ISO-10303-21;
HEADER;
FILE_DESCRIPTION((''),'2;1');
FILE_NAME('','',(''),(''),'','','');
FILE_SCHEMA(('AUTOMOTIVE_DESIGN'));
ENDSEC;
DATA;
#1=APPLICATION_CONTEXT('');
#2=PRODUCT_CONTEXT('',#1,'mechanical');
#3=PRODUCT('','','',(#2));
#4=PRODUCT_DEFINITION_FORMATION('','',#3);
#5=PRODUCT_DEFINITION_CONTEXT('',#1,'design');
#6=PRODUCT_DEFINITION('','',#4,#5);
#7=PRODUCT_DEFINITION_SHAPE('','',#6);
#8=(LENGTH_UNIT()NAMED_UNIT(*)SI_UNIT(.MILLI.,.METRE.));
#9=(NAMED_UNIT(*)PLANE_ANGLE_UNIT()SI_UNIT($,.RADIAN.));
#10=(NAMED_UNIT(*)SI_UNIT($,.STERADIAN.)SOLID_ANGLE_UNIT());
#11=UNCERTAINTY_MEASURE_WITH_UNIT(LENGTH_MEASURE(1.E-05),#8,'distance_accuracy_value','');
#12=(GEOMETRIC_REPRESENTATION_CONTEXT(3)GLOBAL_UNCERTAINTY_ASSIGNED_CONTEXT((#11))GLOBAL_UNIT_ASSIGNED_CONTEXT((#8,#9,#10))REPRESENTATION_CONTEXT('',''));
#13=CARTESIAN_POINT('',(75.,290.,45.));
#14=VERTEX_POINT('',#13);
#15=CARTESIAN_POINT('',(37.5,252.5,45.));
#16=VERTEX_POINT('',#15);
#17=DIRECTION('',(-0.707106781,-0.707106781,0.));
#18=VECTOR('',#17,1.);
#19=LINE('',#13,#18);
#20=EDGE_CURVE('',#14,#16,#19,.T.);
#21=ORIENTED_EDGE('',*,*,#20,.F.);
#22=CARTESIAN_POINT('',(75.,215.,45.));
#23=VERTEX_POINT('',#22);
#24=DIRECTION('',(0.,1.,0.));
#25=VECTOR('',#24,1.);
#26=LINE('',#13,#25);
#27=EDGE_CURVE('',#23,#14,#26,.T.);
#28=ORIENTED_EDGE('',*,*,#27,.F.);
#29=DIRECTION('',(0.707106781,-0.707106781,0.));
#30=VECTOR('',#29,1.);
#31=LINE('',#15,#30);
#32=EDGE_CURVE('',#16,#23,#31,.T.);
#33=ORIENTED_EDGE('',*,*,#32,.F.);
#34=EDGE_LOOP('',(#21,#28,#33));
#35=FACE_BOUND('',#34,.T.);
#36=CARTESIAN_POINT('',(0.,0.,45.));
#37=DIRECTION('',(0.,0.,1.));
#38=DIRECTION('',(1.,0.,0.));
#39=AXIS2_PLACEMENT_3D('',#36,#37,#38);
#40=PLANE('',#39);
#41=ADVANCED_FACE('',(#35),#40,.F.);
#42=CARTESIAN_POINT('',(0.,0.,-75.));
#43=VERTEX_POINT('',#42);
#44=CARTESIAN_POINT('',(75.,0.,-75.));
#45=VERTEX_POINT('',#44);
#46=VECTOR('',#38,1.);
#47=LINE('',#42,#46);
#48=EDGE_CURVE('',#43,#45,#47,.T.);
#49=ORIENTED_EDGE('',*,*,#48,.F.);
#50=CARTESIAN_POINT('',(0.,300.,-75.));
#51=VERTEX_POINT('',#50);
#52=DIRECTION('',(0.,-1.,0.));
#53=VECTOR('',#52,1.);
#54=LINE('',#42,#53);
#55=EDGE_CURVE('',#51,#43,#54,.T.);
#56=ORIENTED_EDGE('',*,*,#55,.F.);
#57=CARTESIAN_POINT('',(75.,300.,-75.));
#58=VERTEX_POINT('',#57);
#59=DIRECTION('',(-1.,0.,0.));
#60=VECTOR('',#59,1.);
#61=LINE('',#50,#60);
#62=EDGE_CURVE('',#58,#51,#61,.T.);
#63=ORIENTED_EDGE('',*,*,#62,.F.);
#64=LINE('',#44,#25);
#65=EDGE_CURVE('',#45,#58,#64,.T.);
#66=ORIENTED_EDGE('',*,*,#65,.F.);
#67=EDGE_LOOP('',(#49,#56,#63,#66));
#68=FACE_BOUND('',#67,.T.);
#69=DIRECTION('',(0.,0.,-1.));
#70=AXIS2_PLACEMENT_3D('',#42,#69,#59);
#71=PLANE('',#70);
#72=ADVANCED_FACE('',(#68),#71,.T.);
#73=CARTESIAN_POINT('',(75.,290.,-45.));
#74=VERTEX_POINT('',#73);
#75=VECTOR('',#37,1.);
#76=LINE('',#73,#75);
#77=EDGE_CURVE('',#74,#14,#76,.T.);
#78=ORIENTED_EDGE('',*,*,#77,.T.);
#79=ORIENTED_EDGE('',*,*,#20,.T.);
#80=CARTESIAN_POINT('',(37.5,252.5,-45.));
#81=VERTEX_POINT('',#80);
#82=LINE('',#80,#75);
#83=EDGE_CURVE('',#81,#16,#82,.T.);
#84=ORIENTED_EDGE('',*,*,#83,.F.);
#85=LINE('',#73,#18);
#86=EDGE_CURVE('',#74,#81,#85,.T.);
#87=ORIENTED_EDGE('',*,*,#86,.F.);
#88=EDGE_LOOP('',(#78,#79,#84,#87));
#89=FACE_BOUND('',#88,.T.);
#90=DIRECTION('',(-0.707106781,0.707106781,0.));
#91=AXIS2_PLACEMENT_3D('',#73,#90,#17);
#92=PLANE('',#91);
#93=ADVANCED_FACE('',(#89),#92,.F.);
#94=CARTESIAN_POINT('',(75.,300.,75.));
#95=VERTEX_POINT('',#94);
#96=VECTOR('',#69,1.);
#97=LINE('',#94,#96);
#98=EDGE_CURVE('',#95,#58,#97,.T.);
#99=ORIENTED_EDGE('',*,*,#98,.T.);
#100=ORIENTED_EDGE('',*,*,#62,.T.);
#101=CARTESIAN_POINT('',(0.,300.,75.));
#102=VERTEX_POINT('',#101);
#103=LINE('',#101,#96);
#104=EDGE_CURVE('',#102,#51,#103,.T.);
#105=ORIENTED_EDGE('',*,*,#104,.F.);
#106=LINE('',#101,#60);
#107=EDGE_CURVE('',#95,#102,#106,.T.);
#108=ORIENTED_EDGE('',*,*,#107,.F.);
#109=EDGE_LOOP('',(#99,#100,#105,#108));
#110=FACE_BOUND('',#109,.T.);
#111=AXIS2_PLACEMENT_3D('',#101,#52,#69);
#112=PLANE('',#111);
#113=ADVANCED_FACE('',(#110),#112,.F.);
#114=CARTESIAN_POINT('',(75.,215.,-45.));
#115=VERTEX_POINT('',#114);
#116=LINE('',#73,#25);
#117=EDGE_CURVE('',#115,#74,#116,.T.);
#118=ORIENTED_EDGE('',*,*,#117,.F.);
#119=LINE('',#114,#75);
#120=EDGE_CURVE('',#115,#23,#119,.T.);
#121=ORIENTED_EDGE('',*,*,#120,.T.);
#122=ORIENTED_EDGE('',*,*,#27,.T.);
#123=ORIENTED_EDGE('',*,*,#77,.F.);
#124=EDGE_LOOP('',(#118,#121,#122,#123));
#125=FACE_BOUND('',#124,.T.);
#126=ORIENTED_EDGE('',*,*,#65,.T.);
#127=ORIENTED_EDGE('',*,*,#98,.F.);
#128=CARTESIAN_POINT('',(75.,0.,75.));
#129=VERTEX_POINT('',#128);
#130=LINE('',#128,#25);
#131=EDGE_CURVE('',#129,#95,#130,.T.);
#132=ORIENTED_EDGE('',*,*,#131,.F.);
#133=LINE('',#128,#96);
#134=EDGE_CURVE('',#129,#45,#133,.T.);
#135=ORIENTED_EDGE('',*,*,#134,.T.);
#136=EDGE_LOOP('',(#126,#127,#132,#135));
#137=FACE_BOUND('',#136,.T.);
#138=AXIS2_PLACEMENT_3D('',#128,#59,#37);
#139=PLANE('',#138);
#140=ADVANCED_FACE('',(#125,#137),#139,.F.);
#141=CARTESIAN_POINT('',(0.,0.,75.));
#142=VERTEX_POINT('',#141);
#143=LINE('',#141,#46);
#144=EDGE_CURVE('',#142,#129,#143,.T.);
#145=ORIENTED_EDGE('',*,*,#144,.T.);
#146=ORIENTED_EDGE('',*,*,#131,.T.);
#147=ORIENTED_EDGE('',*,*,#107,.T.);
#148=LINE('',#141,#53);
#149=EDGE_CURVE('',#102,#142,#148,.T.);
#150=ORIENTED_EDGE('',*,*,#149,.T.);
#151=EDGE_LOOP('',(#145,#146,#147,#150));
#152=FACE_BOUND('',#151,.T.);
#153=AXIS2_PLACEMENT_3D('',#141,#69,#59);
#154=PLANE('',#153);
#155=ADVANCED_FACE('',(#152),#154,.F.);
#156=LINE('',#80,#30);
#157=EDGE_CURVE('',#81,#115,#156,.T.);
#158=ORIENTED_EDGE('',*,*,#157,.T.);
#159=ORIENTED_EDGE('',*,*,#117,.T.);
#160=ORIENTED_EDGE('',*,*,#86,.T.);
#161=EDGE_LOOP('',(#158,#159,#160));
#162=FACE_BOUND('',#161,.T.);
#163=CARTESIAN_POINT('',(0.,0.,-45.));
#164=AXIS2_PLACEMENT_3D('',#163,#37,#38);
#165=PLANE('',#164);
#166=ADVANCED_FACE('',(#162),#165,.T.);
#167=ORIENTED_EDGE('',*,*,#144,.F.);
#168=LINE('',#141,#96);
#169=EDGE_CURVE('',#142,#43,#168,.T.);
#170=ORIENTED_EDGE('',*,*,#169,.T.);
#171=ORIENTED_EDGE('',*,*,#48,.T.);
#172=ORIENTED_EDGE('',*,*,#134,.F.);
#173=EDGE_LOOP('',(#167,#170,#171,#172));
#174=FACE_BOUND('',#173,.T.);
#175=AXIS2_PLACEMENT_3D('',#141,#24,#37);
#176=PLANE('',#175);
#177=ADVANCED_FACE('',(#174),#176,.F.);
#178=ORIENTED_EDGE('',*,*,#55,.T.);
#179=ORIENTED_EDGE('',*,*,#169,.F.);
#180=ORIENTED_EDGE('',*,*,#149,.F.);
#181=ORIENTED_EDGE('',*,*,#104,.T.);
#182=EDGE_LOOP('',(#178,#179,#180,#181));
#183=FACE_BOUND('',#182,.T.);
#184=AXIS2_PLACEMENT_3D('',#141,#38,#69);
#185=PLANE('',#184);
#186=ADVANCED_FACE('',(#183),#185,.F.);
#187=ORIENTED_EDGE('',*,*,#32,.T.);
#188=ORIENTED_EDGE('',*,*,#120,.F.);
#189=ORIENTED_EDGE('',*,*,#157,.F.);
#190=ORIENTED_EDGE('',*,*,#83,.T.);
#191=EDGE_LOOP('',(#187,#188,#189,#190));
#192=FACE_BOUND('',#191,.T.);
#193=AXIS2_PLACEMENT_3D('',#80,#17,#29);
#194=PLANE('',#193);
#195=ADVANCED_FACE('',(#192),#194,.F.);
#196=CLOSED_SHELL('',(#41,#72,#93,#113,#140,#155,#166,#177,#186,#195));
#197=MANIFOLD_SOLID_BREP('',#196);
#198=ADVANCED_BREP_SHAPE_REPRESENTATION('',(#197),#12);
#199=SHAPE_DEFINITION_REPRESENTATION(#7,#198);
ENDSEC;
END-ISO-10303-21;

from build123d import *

# Parameters (mm, degrees)
SKETCH1_W           = 75
SKETCH1_H           = 300
BOSS_EXTRUDE1_DEPTH = 75
CUT_EXTRUDE1_START  = -75
CUT_EXTRUDE1_DEPTH  = 45


with BuildPart() as part:
    # Sketch1 → Boss-Extrude1 (new, symmetric)
    with BuildSketch(Plane.XY):
        with Locations((37.5, 150)):
            Rectangle(SKETCH1_W, SKETCH1_H)
    extrude(amount=BOSS_EXTRUDE1_DEPTH, both=True)

    # Sketch2 → Cut-Extrude1 (cut, symmetric)
    with BuildSketch(Plane.XY.offset(75).offset(CUT_EXTRUDE1_START)):
        Polygon((75, 290), (37.5, 252.5), (75, 215), align=None)
    extrude(amount=CUT_EXTRUDE1_DEPTH, both=True, mode=Mode.SUBTRACT)


solid = part.part
